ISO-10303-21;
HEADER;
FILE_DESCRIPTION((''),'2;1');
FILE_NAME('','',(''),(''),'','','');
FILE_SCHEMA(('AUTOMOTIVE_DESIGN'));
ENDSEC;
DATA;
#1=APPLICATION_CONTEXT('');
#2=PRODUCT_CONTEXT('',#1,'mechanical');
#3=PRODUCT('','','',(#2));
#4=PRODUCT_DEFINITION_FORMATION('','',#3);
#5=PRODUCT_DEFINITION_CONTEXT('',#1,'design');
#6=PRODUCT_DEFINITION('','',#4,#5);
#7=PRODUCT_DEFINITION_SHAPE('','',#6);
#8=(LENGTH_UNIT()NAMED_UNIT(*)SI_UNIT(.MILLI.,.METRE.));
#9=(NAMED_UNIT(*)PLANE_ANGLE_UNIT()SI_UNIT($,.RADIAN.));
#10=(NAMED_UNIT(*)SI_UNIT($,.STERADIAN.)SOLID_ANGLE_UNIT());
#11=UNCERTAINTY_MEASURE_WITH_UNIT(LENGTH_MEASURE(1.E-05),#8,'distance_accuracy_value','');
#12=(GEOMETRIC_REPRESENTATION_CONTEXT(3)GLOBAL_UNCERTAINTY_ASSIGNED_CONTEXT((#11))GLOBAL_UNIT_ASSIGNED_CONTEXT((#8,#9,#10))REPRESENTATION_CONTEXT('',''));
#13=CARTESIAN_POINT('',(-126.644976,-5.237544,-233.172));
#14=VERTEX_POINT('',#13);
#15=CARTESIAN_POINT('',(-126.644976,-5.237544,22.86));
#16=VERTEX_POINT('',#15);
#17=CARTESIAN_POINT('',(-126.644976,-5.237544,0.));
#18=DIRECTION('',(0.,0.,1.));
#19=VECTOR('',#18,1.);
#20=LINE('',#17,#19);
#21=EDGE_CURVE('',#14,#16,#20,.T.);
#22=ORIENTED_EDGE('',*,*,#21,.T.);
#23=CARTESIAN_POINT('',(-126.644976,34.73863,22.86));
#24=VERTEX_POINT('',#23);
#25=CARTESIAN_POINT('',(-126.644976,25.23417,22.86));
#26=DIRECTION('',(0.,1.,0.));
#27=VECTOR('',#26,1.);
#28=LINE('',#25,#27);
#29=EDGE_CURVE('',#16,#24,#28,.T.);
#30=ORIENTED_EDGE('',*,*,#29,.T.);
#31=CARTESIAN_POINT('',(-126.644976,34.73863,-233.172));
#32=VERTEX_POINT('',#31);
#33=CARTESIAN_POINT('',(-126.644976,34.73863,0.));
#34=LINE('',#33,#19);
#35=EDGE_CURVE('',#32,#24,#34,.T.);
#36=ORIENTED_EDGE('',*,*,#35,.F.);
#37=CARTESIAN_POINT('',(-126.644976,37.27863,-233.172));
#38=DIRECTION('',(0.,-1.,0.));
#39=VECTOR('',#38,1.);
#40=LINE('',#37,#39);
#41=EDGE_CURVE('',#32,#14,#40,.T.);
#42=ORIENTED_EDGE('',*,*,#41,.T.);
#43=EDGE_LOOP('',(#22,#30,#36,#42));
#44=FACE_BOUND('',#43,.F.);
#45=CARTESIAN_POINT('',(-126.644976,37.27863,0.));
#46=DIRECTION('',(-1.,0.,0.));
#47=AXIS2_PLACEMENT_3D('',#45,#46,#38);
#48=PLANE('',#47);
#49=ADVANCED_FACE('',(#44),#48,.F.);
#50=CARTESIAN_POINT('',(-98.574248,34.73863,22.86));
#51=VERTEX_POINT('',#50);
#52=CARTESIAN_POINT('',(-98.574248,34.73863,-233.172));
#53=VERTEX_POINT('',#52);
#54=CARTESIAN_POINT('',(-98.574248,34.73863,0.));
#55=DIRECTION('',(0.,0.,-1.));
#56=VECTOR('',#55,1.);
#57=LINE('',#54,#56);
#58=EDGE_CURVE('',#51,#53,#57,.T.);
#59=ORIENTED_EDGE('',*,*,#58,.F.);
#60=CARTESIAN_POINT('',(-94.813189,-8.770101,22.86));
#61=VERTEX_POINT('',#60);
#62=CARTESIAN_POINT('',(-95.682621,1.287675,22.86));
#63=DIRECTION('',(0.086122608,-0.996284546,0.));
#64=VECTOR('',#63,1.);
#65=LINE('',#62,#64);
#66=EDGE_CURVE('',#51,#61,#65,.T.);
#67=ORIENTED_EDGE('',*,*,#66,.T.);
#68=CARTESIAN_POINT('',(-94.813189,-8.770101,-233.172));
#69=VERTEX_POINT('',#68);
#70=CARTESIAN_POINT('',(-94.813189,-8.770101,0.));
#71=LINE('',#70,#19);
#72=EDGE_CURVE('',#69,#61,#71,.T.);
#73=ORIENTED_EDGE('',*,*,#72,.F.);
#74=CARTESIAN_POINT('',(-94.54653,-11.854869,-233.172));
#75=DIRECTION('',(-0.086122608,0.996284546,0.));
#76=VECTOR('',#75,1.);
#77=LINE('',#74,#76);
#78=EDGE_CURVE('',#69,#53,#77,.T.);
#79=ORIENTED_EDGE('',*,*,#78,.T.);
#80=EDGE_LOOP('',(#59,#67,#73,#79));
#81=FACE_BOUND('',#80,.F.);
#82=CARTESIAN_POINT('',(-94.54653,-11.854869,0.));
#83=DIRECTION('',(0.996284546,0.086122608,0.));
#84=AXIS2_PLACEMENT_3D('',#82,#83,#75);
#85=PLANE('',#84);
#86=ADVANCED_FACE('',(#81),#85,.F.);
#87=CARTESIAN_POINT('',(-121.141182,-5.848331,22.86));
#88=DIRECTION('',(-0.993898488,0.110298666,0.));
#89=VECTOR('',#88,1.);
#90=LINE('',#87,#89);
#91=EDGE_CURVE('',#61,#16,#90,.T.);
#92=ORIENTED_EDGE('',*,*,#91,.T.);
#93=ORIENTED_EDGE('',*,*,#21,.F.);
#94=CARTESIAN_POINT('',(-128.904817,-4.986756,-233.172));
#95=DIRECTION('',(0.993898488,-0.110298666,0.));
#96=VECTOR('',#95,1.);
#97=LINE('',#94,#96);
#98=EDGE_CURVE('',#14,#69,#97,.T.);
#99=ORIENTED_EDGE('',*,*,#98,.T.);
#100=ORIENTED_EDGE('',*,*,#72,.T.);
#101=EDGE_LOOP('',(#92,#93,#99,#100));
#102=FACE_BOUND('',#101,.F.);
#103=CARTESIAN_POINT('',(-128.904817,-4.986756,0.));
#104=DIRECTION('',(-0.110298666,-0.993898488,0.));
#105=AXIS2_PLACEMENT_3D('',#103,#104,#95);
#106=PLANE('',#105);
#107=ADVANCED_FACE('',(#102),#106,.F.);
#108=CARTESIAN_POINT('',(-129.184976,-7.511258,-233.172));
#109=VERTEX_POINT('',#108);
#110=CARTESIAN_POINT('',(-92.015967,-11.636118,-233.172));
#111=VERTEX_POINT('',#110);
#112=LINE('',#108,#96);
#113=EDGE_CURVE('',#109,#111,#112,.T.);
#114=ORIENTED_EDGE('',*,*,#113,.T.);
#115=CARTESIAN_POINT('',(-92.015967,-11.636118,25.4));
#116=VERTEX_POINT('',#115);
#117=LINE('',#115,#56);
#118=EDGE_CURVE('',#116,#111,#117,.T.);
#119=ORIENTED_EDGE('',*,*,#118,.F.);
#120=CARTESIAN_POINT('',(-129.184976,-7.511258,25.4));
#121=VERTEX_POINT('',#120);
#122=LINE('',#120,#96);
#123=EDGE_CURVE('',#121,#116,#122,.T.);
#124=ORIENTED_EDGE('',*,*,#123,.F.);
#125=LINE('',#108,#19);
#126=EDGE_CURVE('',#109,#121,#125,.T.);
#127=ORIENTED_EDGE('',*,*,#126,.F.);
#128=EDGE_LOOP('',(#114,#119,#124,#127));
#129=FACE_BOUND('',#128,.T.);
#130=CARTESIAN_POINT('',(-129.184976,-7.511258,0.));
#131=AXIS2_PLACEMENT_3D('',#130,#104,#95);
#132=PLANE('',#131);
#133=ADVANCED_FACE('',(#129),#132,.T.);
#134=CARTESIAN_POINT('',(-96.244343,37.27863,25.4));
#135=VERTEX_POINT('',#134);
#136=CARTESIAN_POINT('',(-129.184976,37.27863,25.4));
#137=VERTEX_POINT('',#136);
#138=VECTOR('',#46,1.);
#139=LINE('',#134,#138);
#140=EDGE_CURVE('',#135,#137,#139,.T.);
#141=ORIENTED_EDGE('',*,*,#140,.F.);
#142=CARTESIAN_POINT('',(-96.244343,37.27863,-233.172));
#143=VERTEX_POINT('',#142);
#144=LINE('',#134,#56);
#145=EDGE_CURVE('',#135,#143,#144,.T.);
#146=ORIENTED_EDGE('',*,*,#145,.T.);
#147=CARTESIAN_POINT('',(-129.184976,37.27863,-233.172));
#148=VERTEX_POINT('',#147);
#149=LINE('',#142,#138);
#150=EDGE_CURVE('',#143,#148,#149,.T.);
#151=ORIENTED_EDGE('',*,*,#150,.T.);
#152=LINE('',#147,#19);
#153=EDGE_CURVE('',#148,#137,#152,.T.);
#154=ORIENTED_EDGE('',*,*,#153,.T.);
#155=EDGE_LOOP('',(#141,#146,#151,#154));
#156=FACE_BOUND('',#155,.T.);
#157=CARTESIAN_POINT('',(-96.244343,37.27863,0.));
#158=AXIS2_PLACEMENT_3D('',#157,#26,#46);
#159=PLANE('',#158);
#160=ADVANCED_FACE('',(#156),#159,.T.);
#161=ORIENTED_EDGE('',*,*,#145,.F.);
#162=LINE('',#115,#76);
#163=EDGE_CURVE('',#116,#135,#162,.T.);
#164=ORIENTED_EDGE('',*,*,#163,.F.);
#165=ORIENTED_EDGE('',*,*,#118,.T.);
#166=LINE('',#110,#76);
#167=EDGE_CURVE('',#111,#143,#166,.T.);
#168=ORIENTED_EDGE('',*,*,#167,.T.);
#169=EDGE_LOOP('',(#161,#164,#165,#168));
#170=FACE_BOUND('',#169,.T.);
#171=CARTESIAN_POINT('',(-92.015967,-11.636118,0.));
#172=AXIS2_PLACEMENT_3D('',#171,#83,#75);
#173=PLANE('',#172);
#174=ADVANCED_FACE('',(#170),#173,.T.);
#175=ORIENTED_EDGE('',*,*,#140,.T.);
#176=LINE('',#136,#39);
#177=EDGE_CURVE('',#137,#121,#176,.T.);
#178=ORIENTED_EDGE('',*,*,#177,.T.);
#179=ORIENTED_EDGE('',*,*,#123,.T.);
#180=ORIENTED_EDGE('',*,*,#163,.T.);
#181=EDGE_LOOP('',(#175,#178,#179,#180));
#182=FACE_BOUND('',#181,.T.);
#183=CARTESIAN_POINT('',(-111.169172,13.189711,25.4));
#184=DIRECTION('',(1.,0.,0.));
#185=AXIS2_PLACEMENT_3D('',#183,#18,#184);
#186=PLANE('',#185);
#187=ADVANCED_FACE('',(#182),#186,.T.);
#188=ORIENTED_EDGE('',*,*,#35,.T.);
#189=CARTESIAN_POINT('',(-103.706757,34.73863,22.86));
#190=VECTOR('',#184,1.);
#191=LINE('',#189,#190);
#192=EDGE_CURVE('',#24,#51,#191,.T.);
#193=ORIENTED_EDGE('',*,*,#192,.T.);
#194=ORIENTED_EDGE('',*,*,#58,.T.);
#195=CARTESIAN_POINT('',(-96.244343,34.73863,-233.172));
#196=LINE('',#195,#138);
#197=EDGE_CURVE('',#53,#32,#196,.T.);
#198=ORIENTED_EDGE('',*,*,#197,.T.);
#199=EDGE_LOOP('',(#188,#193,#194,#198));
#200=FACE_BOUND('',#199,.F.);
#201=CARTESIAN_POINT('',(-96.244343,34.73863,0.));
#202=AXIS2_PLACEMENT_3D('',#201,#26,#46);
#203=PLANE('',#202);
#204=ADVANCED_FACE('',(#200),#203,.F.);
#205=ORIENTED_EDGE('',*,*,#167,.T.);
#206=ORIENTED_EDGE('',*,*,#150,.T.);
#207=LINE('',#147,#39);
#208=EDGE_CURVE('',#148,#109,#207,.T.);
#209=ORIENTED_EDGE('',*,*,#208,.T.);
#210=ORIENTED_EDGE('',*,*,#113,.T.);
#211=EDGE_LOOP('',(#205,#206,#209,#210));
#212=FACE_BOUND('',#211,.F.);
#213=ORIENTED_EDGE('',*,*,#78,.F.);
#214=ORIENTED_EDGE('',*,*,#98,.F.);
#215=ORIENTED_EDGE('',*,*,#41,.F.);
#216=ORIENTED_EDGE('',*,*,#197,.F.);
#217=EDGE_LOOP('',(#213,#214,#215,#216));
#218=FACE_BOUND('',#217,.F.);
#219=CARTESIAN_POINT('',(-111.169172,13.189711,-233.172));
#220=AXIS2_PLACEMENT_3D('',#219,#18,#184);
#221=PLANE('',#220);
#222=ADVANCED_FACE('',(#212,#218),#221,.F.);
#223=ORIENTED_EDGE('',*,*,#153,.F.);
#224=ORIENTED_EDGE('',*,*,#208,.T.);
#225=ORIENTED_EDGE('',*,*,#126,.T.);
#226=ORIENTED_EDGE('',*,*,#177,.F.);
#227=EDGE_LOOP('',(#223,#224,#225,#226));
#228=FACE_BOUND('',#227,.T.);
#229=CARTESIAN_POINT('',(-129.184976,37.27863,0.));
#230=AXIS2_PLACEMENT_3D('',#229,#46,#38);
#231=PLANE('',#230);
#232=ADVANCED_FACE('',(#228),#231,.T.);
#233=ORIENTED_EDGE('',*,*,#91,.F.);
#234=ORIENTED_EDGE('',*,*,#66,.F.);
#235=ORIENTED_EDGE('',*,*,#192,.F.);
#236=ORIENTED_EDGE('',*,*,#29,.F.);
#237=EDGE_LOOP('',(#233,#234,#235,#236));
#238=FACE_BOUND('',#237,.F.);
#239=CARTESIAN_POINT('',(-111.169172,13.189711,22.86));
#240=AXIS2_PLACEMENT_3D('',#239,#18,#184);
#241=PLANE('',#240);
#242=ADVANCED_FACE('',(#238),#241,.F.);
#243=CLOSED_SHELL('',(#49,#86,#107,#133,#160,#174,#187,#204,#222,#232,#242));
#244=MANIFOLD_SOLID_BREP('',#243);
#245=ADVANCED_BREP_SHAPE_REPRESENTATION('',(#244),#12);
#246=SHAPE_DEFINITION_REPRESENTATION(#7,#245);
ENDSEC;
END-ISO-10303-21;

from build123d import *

# Parameters (mm, degrees)
F1_DEPTH = 25.4
F2_DEPTH = 233.172
F3_T     = -2.54


with BuildPart() as f1:
    # F0 (on Top) → F1 (new body)
    with BuildSketch(Plane.XY):
        Polygon((-96.244343, 37.27863), (-129.184976, 37.27863), (-129.184976, -7.511258), (-92.015967, -11.636118), align=None)
    extrude(amount=F1_DEPTH)

    # F0 (on Top) → F2 (join)
    with BuildSketch(Plane.XY):
        Polygon((-96.244343, 37.27863), (-129.184976, 37.27863), (-129.184976, -7.511258), (-92.015967, -11.636118), align=None)
    extrude(amount=-F2_DEPTH)

    # F3
    f3_openings = [f1.faces().sort_by_distance(p)[0] for p in [
        (-111.394879, 13.386796, -233.172),
    ]]
    offset(amount=F3_T, openings=f3_openings)


solid = f1.part
